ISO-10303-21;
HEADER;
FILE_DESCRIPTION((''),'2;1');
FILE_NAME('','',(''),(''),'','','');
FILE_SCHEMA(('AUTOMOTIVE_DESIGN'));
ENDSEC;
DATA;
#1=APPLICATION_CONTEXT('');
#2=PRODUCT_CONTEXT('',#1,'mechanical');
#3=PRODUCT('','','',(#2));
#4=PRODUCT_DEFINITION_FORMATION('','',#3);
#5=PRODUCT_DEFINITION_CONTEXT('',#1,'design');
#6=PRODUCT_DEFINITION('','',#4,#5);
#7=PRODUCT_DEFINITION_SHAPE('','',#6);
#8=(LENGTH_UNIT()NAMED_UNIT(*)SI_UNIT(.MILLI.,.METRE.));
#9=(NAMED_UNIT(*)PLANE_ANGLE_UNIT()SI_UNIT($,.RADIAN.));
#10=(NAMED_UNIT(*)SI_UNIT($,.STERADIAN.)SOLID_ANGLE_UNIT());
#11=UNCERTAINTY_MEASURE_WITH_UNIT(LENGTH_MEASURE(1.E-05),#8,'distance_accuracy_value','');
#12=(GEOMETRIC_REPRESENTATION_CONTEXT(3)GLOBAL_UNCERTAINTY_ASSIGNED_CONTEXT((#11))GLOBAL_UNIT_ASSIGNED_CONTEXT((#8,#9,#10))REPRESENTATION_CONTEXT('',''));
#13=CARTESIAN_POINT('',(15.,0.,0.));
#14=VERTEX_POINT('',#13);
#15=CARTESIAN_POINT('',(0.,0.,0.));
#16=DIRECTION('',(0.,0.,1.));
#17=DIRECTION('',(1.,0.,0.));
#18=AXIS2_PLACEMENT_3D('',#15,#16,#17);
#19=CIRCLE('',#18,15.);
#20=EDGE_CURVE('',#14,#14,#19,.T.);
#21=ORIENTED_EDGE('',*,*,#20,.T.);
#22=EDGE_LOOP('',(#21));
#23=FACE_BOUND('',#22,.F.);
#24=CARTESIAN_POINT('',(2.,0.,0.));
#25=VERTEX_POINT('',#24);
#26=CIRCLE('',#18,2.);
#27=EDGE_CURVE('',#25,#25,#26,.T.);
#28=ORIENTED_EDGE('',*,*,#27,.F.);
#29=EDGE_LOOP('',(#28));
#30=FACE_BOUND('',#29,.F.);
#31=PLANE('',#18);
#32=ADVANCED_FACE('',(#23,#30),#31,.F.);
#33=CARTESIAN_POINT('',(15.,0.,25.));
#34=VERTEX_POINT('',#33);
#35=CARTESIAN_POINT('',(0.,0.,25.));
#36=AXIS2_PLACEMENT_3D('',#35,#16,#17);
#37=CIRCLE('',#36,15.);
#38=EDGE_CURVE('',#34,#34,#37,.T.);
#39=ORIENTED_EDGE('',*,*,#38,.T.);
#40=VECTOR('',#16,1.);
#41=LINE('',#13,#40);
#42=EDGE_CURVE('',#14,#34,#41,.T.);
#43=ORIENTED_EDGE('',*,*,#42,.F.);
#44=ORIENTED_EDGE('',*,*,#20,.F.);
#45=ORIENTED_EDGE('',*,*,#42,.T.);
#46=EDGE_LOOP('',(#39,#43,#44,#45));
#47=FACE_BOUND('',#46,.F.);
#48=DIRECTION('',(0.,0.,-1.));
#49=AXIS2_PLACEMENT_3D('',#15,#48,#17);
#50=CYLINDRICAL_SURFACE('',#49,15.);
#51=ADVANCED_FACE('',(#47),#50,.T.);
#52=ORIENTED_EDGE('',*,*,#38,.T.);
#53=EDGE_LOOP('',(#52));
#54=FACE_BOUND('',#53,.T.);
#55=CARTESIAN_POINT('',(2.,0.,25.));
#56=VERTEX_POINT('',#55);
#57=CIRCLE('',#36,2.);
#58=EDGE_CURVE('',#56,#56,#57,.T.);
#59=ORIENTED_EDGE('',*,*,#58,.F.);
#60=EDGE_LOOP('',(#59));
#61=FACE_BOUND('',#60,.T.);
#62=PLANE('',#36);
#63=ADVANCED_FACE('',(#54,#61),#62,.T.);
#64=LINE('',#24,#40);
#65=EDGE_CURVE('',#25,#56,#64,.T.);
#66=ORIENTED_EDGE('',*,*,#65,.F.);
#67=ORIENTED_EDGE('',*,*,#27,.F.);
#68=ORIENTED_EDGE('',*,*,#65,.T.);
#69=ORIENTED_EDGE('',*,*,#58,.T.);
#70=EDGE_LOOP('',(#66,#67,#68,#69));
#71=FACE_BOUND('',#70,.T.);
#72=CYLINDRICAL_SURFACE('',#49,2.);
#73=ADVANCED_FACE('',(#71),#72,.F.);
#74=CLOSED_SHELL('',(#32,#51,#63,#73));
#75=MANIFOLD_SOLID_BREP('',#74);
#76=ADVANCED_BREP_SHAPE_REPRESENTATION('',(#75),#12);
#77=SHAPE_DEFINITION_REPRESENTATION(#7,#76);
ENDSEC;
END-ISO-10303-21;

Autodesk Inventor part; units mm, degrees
ref_plane "YZ Plane" through (0, 0, 0) normal (1, 0, 0) x (0, 1, 0)
ref_plane "XZ Plane" through (0, 0, 0) normal (0, 1, 0) x (-1, 0, 0)
ref_plane "XY Plane" through (0, 0, 0) normal (0, 0, 1) x (1, 0, 0)
sketch "草圖1" plane through (0, 0, 0) normal (0, 0, 1) x (1, 0, 0)
  circle A0 centre (0, 0) radius 15
  circle A1 centre (0, 0) radius 2
  dimension "d0" = 30
  dimension "d1" = 4
extrude "擠出1" add sketch "草圖1" along normal blind 25
properties part number "elemagnetic"
